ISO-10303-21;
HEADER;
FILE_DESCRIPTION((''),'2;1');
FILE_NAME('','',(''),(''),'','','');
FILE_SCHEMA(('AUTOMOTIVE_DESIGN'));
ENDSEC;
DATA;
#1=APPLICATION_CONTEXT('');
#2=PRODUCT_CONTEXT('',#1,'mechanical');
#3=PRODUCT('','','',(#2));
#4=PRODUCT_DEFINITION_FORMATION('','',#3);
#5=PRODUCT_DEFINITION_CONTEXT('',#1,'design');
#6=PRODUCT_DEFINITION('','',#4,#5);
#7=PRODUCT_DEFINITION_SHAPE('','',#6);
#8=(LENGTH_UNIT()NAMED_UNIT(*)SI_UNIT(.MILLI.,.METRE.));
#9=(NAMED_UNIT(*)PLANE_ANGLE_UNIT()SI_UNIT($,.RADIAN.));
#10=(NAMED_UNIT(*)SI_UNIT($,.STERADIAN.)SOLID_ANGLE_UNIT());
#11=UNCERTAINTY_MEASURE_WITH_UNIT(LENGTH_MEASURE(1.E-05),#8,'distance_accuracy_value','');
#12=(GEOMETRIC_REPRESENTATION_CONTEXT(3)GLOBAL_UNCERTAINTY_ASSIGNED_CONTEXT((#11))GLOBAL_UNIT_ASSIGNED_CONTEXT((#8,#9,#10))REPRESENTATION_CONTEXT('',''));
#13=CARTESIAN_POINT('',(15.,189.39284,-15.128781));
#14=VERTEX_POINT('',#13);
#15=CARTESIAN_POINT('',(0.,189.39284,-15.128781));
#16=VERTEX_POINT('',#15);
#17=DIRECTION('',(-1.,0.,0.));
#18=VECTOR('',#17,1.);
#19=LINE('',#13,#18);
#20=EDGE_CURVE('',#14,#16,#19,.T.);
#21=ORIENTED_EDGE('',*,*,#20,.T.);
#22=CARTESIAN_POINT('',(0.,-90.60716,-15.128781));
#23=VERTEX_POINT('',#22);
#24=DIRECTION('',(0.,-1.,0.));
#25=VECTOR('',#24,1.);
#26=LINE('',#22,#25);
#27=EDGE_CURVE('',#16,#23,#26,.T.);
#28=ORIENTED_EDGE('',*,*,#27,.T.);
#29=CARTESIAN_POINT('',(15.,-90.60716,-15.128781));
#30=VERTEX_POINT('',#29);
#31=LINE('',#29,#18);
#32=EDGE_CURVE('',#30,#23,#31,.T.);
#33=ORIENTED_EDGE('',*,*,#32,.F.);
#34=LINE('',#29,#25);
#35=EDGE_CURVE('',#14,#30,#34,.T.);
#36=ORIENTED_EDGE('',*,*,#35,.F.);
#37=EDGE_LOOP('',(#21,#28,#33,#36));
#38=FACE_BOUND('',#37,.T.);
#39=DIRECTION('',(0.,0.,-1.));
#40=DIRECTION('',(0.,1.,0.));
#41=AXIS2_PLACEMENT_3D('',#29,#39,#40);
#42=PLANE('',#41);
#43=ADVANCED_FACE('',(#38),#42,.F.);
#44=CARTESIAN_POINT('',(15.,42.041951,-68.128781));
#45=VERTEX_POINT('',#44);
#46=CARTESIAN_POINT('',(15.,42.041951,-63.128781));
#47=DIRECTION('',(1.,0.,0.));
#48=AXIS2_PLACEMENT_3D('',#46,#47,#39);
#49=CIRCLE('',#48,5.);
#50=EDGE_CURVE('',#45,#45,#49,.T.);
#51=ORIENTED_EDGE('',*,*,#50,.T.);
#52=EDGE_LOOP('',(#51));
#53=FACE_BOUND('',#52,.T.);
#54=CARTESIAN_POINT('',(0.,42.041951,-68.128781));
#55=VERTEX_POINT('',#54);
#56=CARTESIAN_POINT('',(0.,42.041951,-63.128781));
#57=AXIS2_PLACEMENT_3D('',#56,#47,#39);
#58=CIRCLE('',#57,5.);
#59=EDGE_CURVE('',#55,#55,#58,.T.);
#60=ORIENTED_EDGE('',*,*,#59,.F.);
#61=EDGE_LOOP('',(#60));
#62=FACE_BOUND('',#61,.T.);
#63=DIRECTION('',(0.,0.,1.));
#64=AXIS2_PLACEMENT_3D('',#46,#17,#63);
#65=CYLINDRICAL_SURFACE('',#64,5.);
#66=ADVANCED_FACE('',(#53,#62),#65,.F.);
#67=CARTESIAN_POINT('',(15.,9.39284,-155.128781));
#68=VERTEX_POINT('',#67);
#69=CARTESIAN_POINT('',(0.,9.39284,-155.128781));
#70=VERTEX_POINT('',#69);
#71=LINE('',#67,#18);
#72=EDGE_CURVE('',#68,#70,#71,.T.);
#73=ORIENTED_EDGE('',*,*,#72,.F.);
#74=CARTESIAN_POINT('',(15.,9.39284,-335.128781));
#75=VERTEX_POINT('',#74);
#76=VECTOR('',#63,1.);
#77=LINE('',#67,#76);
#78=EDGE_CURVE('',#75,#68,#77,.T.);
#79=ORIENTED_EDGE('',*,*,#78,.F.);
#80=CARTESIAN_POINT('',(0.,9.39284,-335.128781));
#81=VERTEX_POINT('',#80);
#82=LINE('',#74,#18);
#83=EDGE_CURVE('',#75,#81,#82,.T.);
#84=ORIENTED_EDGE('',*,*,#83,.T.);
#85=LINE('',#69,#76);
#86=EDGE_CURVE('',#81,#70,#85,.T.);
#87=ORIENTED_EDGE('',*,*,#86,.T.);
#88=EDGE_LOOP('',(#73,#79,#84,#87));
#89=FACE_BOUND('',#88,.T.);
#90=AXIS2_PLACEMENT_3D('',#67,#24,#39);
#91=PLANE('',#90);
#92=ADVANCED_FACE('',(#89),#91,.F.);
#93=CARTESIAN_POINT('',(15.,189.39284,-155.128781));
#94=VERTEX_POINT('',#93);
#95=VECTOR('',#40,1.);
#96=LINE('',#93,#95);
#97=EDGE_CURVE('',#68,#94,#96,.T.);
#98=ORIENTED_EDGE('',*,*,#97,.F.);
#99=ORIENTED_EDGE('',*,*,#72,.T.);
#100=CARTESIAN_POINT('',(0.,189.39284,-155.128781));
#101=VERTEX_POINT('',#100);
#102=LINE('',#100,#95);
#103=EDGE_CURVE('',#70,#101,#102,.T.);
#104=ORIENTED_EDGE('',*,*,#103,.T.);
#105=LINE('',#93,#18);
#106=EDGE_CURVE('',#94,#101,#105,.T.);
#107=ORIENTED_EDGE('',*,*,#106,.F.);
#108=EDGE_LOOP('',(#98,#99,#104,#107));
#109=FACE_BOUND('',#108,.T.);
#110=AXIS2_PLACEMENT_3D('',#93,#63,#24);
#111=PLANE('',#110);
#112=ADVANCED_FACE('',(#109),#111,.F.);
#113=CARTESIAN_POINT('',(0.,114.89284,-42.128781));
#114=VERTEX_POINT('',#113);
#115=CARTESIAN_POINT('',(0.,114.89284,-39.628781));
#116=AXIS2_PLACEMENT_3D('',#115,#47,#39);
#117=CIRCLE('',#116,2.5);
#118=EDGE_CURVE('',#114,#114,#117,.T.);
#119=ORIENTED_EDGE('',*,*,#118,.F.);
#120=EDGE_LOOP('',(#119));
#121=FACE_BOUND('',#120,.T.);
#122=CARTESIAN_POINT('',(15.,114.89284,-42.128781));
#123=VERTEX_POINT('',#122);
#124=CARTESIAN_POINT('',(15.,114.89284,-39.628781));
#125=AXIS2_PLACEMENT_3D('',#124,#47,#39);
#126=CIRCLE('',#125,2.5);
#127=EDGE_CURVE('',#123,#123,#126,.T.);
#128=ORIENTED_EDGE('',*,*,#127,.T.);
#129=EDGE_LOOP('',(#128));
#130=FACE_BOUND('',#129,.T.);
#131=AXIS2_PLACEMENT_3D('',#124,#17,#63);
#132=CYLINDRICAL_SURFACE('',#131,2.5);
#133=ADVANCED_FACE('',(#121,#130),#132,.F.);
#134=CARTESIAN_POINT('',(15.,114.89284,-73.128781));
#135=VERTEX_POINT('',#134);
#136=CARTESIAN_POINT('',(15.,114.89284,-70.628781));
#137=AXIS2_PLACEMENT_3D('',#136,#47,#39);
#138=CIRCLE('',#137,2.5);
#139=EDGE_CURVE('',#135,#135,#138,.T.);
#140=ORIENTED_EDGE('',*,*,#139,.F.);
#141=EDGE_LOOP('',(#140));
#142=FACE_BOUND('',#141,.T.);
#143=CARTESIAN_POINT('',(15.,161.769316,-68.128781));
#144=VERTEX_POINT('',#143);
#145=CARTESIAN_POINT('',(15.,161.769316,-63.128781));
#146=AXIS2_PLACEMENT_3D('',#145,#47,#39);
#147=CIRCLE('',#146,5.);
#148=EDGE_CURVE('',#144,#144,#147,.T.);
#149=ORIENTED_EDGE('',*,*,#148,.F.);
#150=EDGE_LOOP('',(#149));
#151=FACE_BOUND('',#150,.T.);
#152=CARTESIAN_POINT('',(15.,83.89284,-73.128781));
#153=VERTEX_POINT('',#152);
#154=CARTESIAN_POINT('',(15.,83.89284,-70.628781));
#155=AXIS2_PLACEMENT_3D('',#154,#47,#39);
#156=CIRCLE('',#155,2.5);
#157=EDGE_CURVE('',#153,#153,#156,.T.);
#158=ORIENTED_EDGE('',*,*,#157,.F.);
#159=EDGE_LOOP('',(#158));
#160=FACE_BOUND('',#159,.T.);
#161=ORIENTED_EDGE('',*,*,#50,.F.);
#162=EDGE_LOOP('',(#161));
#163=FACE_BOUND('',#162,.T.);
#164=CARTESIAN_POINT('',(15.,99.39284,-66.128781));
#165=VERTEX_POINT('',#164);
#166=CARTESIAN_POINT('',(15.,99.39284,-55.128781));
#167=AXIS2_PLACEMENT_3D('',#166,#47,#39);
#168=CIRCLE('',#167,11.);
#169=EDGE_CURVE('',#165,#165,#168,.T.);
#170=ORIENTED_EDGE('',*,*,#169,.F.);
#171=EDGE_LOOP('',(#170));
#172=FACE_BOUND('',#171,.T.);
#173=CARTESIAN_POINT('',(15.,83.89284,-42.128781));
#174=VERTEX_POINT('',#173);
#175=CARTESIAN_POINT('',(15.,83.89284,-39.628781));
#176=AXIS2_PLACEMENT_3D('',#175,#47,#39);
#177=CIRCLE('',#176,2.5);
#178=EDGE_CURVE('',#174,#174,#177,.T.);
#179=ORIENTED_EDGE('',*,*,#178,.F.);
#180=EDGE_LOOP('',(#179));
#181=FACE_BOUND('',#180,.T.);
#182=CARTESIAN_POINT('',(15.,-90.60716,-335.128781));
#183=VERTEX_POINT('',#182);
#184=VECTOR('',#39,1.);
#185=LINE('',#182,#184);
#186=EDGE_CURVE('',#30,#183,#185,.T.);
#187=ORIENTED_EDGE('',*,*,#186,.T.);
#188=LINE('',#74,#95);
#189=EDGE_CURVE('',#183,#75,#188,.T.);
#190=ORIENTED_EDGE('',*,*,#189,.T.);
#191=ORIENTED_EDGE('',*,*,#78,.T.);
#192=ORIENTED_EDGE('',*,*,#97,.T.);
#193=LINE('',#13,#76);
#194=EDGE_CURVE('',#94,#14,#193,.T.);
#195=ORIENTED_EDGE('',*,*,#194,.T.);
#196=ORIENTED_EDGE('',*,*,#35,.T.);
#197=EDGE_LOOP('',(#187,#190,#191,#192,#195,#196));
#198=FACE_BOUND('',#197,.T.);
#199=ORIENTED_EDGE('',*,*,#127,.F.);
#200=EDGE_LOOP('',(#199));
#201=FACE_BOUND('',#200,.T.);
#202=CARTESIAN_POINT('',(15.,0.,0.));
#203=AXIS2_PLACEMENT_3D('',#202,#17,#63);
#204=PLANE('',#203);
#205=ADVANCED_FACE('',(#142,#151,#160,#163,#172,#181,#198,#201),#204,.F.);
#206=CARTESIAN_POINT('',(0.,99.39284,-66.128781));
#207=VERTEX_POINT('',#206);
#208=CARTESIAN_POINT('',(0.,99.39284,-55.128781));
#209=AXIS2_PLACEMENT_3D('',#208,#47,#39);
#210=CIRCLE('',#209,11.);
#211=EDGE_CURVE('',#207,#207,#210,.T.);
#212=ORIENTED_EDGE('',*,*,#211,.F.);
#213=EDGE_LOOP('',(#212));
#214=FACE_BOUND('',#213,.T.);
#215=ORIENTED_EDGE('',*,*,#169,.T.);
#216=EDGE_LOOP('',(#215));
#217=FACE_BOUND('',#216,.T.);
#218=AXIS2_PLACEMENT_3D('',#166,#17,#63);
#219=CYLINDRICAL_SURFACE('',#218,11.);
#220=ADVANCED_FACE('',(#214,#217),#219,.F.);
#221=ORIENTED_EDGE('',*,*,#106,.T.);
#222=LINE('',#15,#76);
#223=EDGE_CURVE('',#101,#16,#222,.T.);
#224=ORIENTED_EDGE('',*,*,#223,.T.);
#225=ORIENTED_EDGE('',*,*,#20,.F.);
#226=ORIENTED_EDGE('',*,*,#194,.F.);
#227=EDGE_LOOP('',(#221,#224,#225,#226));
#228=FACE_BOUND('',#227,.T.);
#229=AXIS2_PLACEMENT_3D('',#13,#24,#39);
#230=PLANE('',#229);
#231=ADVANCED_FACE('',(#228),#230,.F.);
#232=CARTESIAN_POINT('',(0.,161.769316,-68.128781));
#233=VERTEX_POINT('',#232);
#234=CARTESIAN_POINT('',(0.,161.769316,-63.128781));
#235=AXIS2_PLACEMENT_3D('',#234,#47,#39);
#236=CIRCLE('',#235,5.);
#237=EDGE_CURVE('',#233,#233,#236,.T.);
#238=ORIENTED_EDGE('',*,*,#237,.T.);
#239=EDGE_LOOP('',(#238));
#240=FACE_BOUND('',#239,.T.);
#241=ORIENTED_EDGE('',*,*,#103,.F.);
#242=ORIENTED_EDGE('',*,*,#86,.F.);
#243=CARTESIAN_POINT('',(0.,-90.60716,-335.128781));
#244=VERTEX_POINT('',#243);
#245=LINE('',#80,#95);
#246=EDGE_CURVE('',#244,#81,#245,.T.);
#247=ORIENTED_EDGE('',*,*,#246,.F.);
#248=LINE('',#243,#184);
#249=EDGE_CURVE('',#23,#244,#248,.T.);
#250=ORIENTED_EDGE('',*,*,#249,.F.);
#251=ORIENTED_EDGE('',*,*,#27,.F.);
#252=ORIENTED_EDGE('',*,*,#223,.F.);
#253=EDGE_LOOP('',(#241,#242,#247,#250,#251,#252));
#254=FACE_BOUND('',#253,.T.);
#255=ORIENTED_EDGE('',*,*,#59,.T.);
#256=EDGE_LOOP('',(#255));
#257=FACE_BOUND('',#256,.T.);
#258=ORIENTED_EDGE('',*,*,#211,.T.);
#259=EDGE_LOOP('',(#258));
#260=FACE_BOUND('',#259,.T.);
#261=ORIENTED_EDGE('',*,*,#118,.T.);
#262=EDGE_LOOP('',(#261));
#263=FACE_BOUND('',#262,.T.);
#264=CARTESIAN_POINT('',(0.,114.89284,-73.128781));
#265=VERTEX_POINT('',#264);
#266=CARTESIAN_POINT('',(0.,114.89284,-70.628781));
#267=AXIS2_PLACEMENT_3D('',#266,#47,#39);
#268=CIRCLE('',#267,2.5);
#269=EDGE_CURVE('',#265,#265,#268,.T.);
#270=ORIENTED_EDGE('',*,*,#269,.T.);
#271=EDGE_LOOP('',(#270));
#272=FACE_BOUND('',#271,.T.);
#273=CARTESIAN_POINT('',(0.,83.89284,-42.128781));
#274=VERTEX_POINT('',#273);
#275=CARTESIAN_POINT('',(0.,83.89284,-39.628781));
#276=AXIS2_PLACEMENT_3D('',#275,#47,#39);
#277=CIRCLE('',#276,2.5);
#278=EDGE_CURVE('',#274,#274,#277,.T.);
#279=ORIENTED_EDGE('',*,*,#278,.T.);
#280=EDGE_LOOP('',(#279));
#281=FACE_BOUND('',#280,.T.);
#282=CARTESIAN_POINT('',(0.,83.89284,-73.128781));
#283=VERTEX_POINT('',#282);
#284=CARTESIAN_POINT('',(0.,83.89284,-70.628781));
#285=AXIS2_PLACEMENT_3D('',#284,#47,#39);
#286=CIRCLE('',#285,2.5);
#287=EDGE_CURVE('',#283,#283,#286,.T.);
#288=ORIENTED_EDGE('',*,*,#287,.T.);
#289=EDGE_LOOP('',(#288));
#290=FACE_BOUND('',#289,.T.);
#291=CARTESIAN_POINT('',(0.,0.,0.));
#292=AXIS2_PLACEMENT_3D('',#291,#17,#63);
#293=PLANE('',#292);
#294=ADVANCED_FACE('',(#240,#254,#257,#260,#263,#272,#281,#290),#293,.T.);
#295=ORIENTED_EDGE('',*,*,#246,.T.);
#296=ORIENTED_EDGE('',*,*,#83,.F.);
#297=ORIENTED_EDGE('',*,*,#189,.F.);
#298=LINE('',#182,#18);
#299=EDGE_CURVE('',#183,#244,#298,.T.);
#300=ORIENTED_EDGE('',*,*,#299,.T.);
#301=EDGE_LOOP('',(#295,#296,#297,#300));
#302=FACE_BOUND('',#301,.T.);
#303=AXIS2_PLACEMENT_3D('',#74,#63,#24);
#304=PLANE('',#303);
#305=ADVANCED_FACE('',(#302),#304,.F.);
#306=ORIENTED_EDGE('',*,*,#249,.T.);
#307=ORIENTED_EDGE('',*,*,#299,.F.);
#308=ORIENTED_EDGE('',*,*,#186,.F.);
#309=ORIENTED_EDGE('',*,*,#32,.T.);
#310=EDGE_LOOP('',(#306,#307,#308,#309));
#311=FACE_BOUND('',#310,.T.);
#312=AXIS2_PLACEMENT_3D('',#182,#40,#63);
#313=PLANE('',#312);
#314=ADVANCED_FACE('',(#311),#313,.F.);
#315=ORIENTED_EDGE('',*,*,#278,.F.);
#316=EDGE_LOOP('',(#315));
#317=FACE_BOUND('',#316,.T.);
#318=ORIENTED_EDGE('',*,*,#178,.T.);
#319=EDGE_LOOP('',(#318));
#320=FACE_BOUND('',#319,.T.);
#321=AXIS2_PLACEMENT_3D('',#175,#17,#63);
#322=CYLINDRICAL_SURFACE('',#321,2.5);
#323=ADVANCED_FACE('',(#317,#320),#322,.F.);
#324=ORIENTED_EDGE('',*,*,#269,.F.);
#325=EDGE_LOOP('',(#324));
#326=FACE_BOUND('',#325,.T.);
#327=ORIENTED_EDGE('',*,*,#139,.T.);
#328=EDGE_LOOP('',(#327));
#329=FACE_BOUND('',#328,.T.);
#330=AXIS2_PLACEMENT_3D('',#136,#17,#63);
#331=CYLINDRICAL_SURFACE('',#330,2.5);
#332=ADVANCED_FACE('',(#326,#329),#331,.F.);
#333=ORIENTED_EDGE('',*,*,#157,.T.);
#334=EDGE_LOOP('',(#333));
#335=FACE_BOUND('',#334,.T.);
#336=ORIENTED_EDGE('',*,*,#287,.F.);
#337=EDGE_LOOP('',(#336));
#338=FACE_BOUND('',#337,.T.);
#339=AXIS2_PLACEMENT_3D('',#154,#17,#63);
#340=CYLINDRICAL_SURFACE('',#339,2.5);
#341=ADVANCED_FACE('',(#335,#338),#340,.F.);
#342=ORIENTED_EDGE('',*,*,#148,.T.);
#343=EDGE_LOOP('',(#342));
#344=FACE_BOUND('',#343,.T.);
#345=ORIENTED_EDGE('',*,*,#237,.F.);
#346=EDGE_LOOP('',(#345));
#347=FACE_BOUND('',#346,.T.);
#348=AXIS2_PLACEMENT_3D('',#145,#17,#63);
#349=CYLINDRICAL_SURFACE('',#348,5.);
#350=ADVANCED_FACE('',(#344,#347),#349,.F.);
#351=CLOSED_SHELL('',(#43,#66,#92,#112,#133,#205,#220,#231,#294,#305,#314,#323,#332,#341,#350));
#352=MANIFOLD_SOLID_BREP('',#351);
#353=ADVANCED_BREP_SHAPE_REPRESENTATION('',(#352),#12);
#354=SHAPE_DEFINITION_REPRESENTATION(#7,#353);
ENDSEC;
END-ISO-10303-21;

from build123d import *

# Parameters (mm, degrees)
SIDE_SKETCH_R       = 11
SIDE_SKETCH_R_2     = 2.5
SIDE_SKETCH_R_3     = 5
BOSS_EXTRUDE1_DEPTH = 15


with BuildPart() as part:
    # side sketch → Boss-Extrude1 (new body)
    with BuildSketch(Plane(origin=(0, 0, 0), x_dir=(0, 0, -1), z_dir=(1, 0, 0))):
        Polygon((15.128781153, -90.607159918), (15.128781153, 189.392840082), (155.128781153, 189.392840082), (155.128781153, 9.392840082), (335.128781153, 9.392840082), (335.128781153, -90.607159918), align=None)
        with Locations((55.128781153, 99.392840082)):
            Circle(SIDE_SKETCH_R, mode=Mode.SUBTRACT)
        with Locations((39.628781153, 114.892840082)):
            Circle(SIDE_SKETCH_R_2, mode=Mode.SUBTRACT)
        with Locations((70.628781153, 114.892840082)):
            Circle(SIDE_SKETCH_R_2, mode=Mode.SUBTRACT)
        with Locations((70.628781153, 83.892840082)):
            Circle(SIDE_SKETCH_R_2, mode=Mode.SUBTRACT)
        with Locations((39.628781153, 83.892840082)):
            Circle(SIDE_SKETCH_R_2, mode=Mode.SUBTRACT)
        with Locations((63.128781153, 161.769316483)):
            Circle(SIDE_SKETCH_R_3, mode=Mode.SUBTRACT)
        with Locations((63.128781153, 42.041950723)):
            Circle(SIDE_SKETCH_R_3, mode=Mode.SUBTRACT)
    extrude(amount=BOSS_EXTRUDE1_DEPTH)


solid = part.part
